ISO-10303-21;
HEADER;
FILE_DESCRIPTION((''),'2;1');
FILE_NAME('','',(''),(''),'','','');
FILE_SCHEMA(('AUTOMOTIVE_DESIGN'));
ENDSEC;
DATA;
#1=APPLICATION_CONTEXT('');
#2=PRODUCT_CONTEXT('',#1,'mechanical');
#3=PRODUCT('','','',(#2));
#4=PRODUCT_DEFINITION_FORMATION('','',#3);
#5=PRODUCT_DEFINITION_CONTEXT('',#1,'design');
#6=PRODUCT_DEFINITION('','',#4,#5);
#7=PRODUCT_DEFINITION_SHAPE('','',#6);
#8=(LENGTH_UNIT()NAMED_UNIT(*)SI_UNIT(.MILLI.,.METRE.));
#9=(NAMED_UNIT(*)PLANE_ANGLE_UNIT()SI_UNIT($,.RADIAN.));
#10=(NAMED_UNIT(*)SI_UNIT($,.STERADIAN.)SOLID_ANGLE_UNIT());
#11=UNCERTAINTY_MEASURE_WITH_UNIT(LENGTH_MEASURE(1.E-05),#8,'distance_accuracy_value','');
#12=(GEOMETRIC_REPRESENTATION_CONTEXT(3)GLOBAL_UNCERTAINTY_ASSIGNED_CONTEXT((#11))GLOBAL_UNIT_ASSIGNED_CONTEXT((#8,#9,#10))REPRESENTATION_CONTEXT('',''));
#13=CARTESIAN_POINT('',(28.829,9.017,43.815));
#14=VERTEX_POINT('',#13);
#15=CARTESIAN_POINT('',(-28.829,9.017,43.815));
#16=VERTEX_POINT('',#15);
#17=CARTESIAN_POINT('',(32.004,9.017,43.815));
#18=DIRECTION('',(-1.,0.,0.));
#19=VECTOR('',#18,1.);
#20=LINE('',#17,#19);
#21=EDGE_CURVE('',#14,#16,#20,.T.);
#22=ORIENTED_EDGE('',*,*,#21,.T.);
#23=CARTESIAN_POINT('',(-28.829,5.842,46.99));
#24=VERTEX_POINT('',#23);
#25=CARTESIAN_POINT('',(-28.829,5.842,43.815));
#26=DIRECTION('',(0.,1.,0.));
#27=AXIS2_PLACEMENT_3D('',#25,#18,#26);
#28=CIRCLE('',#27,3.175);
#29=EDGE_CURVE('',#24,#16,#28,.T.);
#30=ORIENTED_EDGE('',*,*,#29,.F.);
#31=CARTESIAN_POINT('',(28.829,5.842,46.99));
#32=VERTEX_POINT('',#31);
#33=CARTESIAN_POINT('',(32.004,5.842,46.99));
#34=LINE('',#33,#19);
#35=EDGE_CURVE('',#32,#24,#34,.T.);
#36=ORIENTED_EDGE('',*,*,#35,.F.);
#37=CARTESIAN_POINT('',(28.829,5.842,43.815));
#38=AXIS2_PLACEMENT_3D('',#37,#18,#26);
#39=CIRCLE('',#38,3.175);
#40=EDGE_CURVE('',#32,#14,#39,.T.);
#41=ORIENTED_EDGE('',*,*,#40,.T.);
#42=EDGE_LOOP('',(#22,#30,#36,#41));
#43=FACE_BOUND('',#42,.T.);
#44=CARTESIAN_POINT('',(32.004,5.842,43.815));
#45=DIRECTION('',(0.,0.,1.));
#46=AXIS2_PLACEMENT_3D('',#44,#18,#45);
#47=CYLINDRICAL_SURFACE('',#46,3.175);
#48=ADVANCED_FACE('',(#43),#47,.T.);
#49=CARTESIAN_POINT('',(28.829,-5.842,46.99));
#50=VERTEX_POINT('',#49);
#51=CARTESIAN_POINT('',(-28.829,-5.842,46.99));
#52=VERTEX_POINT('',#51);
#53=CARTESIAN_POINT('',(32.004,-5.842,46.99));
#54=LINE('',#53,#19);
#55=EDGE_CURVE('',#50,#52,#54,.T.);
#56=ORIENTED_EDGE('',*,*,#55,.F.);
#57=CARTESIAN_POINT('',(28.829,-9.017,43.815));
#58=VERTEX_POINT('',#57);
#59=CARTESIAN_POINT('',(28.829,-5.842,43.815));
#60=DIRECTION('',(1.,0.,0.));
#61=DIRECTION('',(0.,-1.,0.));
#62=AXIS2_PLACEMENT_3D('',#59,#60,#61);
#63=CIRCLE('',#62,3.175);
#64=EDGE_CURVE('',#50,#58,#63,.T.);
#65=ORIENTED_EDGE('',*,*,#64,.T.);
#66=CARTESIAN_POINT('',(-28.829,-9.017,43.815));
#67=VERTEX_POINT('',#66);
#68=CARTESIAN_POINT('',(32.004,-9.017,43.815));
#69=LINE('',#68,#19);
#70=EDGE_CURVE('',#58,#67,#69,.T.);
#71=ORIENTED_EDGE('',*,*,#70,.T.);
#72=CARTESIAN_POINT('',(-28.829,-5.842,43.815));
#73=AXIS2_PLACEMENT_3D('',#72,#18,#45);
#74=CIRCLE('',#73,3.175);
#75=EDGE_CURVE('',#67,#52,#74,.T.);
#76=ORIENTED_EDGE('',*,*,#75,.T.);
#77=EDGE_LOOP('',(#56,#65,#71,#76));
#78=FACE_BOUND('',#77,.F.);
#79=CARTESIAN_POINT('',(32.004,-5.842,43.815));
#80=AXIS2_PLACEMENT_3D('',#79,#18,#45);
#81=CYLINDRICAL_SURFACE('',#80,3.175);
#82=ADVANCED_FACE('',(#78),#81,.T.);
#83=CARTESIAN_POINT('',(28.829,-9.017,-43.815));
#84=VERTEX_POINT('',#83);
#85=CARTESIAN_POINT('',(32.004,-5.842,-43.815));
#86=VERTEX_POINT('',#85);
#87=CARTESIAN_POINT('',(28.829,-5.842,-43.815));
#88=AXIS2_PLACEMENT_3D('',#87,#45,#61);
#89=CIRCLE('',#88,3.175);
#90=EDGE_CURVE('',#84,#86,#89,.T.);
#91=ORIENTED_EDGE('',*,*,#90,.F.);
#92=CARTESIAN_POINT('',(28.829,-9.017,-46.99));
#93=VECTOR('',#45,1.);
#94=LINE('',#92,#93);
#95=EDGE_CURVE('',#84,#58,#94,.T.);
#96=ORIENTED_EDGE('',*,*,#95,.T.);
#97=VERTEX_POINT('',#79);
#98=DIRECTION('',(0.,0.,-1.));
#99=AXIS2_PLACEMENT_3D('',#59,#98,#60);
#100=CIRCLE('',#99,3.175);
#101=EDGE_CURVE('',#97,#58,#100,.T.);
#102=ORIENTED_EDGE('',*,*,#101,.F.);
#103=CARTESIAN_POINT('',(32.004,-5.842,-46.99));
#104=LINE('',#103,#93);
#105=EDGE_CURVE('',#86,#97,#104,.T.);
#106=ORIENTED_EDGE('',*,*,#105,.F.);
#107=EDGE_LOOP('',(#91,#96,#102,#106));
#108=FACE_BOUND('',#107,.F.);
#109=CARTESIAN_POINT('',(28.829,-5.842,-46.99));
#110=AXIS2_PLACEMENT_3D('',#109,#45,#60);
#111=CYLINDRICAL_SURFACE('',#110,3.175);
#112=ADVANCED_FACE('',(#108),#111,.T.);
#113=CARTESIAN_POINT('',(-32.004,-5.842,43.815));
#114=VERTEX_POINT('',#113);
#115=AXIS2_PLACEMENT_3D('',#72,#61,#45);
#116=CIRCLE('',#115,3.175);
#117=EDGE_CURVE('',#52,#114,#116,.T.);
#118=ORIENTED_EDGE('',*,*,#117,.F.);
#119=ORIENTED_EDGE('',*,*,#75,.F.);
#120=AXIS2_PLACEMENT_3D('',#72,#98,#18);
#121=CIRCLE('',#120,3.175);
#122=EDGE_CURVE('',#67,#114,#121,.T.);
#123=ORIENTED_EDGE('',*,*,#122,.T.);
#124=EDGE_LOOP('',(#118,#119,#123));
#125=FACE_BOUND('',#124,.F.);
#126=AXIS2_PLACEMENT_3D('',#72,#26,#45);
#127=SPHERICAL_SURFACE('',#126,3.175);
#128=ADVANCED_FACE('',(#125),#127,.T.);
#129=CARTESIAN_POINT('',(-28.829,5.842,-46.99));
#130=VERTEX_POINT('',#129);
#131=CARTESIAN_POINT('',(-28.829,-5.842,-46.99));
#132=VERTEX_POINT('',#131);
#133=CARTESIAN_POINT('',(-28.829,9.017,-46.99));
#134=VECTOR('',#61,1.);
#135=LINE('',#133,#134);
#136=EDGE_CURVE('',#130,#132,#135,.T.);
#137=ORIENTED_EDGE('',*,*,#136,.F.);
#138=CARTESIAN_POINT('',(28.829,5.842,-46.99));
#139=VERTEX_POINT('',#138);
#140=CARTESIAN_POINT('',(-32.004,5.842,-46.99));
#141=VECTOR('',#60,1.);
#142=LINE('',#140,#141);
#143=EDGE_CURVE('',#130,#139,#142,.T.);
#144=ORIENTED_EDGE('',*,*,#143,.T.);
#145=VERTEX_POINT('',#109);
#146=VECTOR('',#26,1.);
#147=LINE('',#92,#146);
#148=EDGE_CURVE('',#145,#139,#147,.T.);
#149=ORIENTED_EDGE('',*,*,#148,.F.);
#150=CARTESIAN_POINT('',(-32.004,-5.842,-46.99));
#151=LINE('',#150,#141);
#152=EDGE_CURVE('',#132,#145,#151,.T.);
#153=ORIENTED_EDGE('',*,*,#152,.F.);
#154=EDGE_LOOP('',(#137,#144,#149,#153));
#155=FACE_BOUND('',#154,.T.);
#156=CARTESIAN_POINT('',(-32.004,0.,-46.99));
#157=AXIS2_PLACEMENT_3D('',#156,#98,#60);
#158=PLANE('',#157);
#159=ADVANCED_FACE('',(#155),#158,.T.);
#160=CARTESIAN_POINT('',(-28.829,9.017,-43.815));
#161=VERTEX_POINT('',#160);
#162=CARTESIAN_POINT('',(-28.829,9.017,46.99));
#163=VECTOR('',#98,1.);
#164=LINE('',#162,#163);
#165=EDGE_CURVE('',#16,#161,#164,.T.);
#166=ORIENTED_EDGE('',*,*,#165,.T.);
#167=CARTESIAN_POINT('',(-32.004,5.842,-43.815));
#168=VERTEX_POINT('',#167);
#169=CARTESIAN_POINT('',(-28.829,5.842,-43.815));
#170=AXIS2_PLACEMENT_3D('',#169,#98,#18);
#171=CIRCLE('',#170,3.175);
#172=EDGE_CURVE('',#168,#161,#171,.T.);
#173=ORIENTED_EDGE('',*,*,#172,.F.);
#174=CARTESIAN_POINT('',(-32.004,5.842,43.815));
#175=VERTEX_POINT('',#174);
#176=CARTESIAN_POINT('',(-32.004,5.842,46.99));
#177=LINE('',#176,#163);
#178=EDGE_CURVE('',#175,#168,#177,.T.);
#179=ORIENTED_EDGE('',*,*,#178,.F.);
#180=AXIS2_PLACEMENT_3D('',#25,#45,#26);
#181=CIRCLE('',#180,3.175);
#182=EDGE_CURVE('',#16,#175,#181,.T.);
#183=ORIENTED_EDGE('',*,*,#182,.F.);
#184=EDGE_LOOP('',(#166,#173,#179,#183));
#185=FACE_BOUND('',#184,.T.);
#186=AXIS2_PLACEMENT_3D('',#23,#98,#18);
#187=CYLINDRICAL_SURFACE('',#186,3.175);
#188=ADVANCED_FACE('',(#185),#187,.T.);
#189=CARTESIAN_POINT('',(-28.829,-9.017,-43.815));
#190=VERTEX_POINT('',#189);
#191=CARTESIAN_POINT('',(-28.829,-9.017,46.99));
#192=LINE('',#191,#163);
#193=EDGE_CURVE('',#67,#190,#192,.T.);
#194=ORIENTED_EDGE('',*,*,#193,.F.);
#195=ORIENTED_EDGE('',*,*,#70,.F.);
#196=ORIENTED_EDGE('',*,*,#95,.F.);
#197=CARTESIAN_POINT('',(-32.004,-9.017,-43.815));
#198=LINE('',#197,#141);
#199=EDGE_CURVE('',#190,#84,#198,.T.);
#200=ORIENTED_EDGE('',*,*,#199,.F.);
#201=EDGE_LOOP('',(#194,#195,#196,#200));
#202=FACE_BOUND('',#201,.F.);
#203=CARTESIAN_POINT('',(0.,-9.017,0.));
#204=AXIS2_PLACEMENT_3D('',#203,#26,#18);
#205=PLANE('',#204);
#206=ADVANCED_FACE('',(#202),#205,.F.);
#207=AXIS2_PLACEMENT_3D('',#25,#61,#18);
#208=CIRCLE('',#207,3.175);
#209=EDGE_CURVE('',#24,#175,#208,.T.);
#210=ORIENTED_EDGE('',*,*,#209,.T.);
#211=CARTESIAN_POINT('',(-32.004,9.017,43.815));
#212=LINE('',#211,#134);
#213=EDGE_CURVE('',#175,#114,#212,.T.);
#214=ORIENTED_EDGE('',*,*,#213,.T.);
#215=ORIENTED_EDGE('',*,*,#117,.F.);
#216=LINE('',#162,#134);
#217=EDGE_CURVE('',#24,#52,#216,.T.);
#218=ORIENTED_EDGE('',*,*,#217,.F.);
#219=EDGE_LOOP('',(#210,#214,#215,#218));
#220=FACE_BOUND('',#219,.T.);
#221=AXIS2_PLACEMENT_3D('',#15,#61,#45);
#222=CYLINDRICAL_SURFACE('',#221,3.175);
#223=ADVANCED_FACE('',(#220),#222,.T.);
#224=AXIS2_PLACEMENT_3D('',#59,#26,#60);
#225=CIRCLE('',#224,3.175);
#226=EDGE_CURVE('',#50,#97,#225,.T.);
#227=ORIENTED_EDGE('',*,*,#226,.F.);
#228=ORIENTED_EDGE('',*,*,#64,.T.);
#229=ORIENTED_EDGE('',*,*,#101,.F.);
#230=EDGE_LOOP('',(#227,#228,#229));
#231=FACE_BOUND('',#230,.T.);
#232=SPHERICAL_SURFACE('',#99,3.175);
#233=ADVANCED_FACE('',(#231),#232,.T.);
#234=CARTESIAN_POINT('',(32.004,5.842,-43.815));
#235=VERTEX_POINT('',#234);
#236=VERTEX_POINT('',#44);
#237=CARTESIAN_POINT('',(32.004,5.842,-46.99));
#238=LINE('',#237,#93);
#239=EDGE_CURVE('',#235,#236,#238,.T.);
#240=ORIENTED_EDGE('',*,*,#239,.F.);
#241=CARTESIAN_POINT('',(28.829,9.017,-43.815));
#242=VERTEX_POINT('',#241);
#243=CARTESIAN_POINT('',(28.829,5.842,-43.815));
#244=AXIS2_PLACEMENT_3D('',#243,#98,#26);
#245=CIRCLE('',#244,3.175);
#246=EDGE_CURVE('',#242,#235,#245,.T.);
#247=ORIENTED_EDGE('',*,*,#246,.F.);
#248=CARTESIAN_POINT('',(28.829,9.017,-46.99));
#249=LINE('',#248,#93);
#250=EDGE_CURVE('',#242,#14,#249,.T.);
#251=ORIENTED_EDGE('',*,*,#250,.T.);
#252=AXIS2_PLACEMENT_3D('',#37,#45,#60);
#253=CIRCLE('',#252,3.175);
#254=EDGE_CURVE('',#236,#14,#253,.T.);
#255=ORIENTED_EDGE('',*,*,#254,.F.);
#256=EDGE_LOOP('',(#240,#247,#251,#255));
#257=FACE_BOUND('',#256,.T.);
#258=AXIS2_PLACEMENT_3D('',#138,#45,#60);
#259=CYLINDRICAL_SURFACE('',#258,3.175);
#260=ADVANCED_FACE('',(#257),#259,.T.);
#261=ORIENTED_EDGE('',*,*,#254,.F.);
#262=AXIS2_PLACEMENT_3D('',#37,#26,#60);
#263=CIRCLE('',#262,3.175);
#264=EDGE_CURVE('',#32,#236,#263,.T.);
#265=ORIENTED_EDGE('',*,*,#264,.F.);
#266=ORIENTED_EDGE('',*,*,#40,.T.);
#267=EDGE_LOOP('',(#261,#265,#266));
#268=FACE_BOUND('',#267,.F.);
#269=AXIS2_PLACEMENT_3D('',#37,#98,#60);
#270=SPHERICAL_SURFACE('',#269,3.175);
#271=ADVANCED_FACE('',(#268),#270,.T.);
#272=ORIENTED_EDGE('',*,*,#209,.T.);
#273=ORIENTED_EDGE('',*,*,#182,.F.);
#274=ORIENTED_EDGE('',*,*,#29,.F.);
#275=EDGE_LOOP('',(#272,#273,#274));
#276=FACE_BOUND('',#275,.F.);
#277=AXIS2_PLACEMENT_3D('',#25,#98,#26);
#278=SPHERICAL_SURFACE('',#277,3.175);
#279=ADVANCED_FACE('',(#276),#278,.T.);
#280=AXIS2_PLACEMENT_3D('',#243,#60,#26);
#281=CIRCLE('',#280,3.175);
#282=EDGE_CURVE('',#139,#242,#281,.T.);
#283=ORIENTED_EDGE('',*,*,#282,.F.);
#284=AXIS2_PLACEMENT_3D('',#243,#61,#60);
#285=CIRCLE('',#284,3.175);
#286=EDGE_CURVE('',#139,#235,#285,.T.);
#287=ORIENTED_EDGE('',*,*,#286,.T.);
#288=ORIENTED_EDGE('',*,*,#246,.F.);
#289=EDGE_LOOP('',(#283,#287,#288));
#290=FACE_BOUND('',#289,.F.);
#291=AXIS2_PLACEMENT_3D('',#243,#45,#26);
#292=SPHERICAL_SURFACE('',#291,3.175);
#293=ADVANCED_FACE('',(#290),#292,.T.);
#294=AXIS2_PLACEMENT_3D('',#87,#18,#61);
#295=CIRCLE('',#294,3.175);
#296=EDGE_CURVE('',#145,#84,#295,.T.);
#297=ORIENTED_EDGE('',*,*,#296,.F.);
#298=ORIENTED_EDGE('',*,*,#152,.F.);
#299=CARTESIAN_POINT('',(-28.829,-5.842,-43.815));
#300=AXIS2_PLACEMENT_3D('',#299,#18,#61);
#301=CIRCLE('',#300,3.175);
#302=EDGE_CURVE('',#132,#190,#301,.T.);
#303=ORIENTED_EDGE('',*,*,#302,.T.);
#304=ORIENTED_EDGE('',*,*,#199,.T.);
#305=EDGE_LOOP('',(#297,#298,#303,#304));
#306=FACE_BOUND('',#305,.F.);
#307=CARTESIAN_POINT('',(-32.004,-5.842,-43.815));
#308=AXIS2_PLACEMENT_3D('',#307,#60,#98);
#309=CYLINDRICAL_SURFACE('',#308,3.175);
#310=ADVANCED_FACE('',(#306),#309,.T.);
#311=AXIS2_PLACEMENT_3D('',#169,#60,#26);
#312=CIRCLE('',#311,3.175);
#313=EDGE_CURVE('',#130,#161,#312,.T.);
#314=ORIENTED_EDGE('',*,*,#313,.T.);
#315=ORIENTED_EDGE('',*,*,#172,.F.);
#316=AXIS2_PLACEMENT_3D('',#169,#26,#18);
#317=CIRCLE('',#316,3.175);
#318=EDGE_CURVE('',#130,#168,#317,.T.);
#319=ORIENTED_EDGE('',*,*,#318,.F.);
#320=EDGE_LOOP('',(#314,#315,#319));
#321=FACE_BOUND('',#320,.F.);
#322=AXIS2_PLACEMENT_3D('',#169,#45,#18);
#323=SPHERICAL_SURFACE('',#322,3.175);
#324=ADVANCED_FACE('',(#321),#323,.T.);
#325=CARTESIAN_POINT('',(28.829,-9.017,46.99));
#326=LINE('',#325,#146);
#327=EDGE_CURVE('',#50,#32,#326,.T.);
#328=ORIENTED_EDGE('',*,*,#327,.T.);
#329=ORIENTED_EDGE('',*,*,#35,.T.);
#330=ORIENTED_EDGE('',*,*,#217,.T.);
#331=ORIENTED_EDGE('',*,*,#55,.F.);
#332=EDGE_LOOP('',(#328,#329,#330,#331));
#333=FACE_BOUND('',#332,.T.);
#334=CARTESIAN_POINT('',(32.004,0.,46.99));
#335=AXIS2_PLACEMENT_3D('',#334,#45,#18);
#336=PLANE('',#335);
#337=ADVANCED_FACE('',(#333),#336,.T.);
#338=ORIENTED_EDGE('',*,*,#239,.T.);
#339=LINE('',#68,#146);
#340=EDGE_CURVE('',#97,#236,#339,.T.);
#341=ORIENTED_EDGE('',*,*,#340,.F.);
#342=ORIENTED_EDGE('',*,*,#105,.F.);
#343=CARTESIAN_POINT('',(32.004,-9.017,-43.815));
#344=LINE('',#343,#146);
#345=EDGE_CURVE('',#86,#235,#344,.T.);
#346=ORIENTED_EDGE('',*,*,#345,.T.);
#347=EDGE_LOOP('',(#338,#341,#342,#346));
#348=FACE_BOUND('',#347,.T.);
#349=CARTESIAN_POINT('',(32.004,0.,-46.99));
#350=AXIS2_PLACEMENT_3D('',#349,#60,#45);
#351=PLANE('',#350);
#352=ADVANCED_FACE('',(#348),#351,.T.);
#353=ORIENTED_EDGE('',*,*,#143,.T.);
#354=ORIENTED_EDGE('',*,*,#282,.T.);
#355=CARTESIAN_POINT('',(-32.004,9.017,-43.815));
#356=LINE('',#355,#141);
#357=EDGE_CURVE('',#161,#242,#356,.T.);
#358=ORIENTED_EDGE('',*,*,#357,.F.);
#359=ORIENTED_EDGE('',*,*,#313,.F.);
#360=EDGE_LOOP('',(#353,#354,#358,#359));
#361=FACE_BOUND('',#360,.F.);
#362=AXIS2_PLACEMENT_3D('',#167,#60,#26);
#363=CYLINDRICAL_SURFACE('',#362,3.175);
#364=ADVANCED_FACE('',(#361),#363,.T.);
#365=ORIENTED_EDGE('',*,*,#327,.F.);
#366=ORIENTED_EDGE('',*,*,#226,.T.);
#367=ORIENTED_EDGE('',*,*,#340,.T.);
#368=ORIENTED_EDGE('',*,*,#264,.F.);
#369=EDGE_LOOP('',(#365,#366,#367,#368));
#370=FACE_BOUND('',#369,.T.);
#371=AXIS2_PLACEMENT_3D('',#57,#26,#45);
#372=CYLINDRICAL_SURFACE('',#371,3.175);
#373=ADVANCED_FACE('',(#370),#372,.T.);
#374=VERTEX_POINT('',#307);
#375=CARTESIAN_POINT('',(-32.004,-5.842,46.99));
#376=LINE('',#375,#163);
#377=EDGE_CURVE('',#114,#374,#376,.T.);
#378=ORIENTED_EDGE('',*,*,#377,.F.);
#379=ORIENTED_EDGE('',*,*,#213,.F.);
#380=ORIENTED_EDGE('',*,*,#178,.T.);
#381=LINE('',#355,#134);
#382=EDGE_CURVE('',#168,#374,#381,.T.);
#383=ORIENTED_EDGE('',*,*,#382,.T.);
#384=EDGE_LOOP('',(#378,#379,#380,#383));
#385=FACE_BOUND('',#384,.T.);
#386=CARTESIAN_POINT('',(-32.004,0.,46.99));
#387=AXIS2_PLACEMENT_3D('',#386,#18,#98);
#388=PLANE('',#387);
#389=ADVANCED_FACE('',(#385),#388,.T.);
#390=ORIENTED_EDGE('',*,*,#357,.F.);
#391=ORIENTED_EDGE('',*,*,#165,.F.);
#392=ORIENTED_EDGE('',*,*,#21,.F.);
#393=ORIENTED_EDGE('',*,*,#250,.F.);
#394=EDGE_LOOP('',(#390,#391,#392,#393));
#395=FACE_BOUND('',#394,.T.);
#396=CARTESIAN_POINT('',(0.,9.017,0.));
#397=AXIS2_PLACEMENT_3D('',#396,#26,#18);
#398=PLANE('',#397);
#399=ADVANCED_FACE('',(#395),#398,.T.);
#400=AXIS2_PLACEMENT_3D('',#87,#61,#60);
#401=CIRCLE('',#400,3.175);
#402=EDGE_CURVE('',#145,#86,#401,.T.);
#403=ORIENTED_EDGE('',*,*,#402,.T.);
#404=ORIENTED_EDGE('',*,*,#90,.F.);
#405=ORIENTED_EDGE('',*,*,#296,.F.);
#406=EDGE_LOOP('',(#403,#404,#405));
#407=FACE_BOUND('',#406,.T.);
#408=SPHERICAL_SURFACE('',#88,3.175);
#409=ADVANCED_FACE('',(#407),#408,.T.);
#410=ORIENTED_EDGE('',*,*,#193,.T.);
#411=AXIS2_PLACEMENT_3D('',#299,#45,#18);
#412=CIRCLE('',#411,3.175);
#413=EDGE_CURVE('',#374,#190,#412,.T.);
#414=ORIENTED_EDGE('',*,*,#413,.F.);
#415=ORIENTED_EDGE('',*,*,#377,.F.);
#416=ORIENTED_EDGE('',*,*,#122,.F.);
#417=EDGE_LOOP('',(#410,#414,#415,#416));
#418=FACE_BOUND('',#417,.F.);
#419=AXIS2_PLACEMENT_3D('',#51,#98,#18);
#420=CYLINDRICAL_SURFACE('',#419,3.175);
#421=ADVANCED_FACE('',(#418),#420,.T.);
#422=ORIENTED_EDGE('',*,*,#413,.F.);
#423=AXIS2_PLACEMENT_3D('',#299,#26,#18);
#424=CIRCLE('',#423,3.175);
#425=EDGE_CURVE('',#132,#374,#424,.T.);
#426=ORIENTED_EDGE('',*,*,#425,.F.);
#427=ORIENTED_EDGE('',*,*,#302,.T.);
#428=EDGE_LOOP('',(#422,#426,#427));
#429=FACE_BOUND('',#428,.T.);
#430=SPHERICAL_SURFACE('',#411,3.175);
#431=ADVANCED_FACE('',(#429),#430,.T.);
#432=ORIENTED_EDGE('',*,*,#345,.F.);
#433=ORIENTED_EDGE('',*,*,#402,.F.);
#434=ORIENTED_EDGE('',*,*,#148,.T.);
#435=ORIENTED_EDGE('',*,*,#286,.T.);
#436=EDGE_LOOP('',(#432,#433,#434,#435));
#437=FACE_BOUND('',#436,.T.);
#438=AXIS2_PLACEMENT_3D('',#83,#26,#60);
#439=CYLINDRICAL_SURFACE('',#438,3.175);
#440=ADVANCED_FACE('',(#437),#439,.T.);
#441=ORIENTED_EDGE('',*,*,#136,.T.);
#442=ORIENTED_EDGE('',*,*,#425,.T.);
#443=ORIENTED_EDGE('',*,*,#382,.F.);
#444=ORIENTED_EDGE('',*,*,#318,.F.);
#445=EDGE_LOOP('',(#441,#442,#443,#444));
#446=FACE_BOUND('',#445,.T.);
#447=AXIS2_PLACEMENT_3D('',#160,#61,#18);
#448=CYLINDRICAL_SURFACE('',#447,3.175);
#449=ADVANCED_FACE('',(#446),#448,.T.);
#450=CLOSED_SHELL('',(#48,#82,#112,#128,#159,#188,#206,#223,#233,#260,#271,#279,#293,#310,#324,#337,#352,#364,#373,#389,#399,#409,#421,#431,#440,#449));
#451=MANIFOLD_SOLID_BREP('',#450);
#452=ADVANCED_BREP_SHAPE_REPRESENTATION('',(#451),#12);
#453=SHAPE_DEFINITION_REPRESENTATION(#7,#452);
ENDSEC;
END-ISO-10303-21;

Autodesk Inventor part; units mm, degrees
ref_plane "YZ Plane" through (0, 0, 0) normal (1, 0, 0) x (0, 1, 0)
ref_plane "XZ Plane" through (0, 0, 0) normal (0, 1, 0) x (-1, 0, 0)
ref_plane "XY Plane" through (0, 0, 0) normal (0, 0, 1) x (1, 0, 0)
sketch "Sketch1" plane through (0, 0, 0) normal (0, 1, 0) x (-1, 0, 0)
  line L0 (-32.004, 46.99) -> (32.004, 46.99)
  line L1 (32.004, 46.99) -> (32.004, -46.99)
  line L2 (32.004, -46.99) -> (-32.004, -46.99)
  line L3 (-32.004, -46.99) -> (-32.004, 46.99)
  line L4 (-32.004, 46.99) -> (32.004, -46.99) construction
  line L5 (32.004, 46.99) -> (-32.004, -46.99) construction
  point P0 (0, 0)
  dimension "d0" = 64.008
  dimension "d1" = 93.98
extrude "Extrusion1" add sketch "Sketch1" along normal mid plane 18.034
fillet "Fillet1" radius 3.175 12 edges at (32.004, 9.017, 0) (32.004, -9.017, 0) (32.004, 0, 46.99) (-32.004, 9.017, 0) (0, 9.017, 46.99) (-32.004, 0, 46.99) (0, -9.017, 46.99) (-32.004, -9.017, 0) (-32.004, 0, -46.99) (0, 9.017, -46.99) (0, -9.017, -46.99) (32.004, 0, -46.99)
properties part number "ColdBye_Battery"
